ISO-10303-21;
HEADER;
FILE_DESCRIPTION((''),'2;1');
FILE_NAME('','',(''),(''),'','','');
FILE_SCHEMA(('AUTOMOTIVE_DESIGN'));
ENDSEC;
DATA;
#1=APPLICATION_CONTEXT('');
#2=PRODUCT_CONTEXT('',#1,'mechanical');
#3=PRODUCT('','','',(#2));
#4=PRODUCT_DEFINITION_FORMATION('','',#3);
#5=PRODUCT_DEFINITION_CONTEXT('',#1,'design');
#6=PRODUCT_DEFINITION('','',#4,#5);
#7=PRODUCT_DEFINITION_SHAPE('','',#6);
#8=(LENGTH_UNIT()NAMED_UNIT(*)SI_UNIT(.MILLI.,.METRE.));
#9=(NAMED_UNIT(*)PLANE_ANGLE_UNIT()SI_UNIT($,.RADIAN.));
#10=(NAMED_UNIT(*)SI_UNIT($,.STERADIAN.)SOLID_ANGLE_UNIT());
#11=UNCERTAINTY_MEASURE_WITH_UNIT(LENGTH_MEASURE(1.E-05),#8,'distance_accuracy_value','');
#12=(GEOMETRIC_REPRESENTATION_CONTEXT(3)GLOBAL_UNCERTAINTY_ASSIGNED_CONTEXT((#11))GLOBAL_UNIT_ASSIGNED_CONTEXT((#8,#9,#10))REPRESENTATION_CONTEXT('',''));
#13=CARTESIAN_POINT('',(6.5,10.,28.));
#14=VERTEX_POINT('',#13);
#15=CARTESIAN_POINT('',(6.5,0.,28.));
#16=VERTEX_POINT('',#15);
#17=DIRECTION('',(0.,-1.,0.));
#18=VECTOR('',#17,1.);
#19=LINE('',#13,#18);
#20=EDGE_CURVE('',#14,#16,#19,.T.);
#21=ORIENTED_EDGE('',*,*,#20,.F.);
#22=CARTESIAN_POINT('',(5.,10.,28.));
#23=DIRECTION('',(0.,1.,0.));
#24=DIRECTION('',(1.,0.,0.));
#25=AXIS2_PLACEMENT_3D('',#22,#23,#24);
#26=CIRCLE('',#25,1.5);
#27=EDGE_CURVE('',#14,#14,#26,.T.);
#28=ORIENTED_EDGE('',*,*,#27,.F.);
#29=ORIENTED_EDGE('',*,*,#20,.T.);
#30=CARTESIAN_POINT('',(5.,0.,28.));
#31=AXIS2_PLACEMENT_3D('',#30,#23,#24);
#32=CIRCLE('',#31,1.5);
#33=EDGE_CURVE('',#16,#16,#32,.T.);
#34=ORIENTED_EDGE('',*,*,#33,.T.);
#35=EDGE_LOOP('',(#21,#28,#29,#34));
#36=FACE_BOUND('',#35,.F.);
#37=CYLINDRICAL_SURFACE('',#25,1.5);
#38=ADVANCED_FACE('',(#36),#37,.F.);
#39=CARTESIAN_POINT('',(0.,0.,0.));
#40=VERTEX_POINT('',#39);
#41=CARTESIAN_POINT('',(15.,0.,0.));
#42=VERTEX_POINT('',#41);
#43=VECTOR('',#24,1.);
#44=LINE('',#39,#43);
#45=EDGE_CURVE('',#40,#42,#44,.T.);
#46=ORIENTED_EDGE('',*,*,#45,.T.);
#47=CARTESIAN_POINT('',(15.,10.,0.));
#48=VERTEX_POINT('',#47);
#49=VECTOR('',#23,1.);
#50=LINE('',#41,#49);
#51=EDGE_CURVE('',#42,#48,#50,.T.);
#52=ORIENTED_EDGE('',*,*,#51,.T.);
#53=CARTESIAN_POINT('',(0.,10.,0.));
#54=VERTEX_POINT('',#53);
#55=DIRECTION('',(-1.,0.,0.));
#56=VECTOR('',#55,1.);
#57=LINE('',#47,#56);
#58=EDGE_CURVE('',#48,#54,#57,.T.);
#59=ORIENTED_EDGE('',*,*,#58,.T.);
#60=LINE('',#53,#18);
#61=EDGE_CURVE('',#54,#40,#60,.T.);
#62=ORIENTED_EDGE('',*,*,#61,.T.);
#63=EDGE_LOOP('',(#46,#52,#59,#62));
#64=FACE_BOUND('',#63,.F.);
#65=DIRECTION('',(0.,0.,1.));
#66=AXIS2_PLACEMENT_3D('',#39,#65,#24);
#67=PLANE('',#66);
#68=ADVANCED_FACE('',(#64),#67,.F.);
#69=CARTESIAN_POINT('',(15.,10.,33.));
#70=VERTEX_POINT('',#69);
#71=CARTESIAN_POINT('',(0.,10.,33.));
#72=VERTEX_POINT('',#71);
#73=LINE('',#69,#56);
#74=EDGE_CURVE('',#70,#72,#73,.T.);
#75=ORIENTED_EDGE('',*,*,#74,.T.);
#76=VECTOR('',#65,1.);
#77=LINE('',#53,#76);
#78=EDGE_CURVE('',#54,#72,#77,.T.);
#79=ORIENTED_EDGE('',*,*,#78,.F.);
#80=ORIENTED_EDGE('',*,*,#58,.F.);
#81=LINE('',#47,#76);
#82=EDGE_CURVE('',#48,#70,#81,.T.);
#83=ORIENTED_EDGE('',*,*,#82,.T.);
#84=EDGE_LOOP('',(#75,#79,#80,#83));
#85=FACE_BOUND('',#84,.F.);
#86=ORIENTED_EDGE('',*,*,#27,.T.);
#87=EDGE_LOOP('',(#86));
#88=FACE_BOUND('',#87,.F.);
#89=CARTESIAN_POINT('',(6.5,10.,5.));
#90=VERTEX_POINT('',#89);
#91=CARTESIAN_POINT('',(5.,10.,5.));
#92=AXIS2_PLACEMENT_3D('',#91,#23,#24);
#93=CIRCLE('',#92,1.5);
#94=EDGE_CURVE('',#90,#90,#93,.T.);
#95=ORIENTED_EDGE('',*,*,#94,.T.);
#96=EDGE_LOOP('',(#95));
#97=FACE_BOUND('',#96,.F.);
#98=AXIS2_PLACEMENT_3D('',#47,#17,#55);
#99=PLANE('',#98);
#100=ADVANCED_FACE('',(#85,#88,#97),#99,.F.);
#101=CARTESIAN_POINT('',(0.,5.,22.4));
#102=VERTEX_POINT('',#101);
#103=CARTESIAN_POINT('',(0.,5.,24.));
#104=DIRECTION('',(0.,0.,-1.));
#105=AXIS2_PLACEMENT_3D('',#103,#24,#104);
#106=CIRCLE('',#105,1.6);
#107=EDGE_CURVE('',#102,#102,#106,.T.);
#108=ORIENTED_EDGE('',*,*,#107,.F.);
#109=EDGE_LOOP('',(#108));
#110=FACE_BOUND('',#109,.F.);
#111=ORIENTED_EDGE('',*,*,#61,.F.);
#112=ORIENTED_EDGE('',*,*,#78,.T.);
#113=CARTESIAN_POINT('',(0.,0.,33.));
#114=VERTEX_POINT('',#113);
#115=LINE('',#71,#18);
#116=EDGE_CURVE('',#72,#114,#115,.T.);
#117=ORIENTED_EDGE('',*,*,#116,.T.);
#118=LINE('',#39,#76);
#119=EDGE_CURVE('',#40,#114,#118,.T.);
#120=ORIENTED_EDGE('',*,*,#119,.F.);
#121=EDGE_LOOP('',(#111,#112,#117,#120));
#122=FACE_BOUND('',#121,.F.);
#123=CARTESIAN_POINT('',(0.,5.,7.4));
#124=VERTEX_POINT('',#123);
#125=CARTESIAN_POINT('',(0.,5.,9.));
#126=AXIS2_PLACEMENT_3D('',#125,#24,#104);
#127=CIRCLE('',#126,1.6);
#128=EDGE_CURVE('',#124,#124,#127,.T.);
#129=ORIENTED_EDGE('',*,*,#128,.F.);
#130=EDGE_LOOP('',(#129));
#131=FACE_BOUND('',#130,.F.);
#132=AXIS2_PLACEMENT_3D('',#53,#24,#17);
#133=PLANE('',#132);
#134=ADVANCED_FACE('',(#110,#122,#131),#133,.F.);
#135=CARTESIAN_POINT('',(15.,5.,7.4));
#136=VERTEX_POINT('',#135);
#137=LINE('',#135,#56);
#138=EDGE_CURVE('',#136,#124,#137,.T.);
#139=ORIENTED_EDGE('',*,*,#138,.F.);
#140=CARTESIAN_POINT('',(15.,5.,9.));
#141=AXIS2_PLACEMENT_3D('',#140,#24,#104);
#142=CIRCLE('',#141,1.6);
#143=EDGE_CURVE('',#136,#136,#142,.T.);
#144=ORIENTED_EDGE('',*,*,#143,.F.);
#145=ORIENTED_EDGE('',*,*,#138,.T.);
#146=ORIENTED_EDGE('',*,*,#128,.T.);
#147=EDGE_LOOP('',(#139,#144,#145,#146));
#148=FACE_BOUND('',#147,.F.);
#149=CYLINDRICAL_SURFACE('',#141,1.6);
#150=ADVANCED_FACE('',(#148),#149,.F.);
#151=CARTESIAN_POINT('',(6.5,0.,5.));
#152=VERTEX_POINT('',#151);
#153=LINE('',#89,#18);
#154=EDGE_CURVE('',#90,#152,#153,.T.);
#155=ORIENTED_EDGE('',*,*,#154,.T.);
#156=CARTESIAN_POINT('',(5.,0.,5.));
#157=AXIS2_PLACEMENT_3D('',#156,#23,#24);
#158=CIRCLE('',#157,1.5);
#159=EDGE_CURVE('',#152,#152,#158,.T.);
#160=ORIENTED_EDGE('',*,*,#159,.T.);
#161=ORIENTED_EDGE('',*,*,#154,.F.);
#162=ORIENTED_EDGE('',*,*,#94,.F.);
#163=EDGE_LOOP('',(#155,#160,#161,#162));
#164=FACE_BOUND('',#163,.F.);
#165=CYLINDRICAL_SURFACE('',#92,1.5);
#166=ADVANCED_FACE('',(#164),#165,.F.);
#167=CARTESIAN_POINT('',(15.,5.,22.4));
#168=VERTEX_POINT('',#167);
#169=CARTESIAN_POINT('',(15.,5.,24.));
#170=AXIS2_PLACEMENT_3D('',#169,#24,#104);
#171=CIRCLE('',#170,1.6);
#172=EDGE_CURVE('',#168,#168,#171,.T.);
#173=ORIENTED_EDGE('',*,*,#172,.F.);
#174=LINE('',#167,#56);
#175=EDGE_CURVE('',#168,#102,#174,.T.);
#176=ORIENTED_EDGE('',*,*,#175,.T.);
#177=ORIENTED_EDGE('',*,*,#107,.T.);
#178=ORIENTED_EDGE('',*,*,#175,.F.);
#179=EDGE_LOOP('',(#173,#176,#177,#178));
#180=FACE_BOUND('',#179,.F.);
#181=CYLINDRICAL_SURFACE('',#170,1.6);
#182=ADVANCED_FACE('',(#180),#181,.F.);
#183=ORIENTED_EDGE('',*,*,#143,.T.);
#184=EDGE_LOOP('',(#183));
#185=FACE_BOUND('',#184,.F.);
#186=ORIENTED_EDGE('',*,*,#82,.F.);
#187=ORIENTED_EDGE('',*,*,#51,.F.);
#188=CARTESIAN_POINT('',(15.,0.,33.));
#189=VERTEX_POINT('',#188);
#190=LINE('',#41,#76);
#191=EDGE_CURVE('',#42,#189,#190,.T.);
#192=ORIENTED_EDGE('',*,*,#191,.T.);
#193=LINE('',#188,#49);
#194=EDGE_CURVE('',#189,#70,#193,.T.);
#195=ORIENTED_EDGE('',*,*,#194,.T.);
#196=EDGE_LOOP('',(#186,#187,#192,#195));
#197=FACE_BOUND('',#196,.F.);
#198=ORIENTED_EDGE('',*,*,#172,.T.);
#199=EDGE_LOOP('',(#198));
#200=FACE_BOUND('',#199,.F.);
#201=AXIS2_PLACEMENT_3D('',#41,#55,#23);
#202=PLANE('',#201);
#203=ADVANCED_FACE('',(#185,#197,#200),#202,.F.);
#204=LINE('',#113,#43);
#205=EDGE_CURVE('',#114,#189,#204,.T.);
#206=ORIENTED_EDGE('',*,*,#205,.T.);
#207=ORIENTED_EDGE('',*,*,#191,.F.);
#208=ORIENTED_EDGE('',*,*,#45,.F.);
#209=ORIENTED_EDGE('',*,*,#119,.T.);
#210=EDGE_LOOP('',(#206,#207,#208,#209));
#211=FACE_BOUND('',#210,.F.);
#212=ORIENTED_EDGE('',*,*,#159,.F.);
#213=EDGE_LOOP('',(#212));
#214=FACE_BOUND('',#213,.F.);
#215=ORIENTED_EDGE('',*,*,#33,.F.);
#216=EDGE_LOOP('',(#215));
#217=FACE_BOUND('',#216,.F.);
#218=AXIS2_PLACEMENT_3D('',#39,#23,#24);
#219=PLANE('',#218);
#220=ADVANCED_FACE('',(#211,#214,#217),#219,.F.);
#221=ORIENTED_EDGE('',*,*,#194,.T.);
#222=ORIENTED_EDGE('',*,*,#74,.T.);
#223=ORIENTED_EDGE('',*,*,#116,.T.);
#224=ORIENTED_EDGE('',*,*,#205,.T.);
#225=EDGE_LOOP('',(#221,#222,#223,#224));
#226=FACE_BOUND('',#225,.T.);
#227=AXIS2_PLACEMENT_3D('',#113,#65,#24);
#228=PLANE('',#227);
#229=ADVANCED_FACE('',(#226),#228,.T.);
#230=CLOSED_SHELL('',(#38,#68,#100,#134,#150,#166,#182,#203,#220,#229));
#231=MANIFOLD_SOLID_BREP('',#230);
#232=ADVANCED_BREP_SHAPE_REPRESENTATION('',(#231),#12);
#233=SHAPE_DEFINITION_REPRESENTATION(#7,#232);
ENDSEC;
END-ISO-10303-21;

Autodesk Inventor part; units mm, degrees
ref_plane "YZ Plane" through (0, 0, 0) normal (1, 0, 0) x (0, 1, 0)
ref_plane "XZ Plane" through (0, 0, 0) normal (0, 1, 0) x (-1, 0, 0)
ref_plane "XY Plane" through (0, 0, 0) normal (0, 0, 1) x (1, 0, 0)
sketch "Sketch1" plane through (0, 0, 0) normal (0, 0, 1) x (1, 0, 0)
  line L0 (0, 0) -> (15, 0)
  line L1 (15, 0) -> (15, 10)
  line L2 (15, 10) -> (0, 10)
  line L3 (0, 10) -> (0, 0)
  line L4 (1, 9) -> (14, 9)
  line L5 (14, 9) -> (14, 1)
  line L6 (14, 1) -> (1, 1)
  line L7 (1, 1) -> (1, 9)
  dimension "d0" = 15
  dimension "d1" = 10
  dimension "d2" = 13
  dimension "d3" = 8
  dimension "d4" = 1
  dimension "d5" = 1
extrude "Extrusion1" add sketch "Sketch1" along normal blind 33 contours L3 L2 L1 L0 | L4 L5 L6 L7
sketch "Sketch2" plane through (0, 10, 0) normal (0, 1, 0) x (1, 0, 0)
  line L0 (15, 0) -> (0, 0) projected
  line L1 (0, 0) -> (0, -33) projected
  line L2 (15, -33) -> (0, -33) projected
  line L3 (15, 0) -> (15, -33) projected
  circle A0 centre (5, -5) radius 1.5
  circle A1 centre (5, -28) radius 1.5
  dimension "d8" = 3
  dimension "d9" = 3
  dimension "d10" = 5
  dimension "d11" = 5
  dimension "d12" = 5
  dimension "d13" = 5
extrude "Extrusion2" cut sketch "Sketch2" against normal up to surface (10 mm away) contours A0 | A1
sketch "Sketch3" plane through (15, 0, 0) normal (1, 0, 0) x (0, 0, -1)
  line L0 (0, 0) -> (0, 10) projected
  line L1 (0, 10) -> (-33, 10) projected
  line L2 (-33, 0) -> (-33, 10) projected
  line L3 (0, 0) -> (-33, 0) projected
  circle A0 centre (-9, 5) radius 1.6
  circle A1 centre (-24, 5) radius 1.6
  dimension "d16" = 3.2
  dimension "d17" = 5
  dimension "d18" = 9
  dimension "d21" = 3.2
  dimension "d22" = 5
  dimension "d23" = 9
extrude "Extrusion3" cut sketch "Sketch3" against normal up to surface (15 mm away) contours A0 | A1
properties part number "profile2_3D" material "Aluminum 6061, Welded"
